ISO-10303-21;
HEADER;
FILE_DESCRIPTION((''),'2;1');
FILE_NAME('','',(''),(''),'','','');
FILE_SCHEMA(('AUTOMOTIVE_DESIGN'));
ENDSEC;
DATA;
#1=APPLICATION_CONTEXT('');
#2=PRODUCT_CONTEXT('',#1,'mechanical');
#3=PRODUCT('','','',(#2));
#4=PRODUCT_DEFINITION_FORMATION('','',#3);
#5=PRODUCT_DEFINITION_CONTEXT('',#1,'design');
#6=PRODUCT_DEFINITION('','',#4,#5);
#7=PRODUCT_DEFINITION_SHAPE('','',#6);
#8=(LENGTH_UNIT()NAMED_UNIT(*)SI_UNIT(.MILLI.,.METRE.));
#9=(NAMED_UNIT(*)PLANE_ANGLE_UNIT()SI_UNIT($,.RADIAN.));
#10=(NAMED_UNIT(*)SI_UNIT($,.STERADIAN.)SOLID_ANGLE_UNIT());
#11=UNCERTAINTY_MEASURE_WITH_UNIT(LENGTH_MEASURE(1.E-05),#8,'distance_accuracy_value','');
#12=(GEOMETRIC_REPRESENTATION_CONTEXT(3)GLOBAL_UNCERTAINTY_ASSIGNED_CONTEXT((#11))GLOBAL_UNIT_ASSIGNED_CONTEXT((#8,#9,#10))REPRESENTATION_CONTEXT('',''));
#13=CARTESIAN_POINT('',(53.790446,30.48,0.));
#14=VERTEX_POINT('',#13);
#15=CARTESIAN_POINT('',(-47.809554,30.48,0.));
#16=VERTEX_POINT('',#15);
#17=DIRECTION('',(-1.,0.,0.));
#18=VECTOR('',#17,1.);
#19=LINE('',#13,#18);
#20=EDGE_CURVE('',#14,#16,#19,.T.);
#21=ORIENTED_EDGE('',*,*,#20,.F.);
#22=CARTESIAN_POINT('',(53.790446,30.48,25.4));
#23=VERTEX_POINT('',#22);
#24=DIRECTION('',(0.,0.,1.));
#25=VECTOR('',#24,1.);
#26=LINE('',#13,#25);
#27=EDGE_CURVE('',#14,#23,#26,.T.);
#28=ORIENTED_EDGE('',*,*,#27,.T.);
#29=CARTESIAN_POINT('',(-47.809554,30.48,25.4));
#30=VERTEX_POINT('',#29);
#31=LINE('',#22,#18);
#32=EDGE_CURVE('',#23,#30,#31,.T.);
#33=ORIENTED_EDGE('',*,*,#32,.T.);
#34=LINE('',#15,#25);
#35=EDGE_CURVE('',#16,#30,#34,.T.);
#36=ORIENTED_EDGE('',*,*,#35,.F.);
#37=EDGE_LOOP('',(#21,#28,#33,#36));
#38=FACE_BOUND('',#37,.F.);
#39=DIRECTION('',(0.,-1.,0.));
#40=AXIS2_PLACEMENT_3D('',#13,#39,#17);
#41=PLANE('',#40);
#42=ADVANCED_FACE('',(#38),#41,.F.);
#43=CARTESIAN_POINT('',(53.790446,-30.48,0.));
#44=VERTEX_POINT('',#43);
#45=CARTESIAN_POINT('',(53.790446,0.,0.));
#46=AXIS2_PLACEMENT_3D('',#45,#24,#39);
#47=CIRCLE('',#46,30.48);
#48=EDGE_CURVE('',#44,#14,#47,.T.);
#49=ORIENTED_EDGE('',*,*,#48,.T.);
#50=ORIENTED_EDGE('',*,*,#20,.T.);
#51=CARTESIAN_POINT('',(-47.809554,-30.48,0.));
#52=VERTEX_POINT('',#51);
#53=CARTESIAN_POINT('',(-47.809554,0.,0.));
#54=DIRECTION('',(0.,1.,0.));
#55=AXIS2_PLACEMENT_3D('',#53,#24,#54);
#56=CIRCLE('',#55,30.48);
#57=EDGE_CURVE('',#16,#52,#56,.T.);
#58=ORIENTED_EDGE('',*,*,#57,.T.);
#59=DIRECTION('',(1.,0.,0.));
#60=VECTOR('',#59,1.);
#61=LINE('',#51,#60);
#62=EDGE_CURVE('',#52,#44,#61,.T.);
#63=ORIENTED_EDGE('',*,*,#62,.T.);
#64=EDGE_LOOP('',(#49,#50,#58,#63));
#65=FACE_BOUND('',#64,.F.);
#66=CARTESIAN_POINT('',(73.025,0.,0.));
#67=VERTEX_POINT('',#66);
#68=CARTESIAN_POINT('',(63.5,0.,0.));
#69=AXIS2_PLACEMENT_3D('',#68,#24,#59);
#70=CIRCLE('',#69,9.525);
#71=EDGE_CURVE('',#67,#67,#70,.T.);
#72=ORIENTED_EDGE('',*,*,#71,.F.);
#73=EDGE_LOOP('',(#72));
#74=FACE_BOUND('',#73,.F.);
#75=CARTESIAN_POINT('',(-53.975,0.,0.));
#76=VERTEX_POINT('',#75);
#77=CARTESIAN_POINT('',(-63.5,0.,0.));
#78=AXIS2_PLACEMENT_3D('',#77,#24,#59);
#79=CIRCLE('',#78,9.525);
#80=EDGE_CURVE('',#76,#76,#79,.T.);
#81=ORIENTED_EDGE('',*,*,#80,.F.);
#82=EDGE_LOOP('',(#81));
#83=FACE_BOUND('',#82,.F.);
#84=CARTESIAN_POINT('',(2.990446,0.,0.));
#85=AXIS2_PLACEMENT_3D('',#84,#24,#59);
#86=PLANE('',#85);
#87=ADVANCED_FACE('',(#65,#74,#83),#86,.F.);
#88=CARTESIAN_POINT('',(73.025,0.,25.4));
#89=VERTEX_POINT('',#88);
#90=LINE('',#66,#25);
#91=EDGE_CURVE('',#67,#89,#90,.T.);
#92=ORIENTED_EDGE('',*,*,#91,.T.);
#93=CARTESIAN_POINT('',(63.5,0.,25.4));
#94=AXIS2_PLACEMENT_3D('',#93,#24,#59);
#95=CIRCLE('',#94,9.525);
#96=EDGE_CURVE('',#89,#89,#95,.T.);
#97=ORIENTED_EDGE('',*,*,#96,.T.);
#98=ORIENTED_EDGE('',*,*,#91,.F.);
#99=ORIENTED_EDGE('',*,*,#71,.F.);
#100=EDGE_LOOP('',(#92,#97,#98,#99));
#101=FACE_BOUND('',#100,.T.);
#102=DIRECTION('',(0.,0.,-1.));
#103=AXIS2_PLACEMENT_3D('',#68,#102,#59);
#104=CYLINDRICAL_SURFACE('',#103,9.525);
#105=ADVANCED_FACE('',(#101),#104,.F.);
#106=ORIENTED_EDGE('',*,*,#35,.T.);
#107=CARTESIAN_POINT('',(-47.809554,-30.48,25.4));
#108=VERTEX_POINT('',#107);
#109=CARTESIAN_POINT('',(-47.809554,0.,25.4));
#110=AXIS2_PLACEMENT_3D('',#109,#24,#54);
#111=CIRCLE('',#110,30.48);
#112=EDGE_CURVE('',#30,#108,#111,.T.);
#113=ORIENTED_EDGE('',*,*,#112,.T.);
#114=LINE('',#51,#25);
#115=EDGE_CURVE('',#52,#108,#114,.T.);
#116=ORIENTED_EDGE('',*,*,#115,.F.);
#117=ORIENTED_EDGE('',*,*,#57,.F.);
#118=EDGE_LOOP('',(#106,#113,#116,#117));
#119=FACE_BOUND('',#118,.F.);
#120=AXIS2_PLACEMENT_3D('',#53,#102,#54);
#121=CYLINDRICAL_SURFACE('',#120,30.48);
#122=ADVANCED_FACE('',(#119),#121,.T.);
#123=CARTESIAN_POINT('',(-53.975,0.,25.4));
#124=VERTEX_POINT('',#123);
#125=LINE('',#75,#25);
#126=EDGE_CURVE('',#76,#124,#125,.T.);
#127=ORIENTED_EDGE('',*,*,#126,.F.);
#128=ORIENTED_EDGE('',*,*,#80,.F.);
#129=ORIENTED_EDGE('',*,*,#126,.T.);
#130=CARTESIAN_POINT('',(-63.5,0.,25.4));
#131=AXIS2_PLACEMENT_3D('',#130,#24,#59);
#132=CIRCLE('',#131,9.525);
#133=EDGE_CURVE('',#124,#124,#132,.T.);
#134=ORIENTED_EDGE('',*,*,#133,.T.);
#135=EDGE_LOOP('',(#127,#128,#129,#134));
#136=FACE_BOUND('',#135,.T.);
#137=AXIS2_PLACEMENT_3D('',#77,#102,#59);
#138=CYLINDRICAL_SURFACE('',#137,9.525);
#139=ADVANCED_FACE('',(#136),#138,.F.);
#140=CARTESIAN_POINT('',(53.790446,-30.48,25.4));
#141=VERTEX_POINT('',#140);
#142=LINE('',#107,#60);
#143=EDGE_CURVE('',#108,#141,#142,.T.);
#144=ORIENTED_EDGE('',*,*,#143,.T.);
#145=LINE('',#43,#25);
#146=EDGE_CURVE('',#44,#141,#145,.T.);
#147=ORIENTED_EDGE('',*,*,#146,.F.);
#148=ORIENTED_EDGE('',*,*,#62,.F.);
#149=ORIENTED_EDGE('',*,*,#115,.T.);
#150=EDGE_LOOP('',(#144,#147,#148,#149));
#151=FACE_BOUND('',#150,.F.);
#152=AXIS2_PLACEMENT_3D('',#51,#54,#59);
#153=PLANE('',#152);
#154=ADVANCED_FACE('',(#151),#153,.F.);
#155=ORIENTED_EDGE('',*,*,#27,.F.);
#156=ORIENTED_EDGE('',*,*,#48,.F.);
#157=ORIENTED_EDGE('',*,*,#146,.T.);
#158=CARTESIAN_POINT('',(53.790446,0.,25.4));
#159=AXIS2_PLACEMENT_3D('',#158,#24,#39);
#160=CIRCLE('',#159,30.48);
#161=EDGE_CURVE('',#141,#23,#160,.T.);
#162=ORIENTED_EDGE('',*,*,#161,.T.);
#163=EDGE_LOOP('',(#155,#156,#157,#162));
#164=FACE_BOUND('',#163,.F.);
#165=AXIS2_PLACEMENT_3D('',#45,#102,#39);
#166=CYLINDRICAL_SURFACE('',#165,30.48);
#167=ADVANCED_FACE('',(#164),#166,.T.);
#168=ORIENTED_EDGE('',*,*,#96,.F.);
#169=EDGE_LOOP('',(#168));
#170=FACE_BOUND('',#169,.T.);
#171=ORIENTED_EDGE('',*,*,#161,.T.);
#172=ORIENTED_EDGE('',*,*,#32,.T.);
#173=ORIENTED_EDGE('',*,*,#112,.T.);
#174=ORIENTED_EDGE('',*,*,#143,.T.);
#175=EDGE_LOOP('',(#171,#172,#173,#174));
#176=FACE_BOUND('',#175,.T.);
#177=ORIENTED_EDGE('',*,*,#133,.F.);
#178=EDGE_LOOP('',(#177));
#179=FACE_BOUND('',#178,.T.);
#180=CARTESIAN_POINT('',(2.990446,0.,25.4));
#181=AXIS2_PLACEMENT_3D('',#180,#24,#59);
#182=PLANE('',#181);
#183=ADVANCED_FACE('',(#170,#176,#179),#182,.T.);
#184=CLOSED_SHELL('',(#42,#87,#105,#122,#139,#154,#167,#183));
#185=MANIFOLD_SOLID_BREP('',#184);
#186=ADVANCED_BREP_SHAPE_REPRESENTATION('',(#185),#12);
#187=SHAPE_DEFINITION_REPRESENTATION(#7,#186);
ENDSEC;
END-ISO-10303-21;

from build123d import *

# Parameters (mm, degrees)
F1_R     = 9.525
F2_DEPTH = 25.4


with BuildPart() as f2:
    # F1 (on face) → F2 (new body)
    with BuildSketch(Plane.XY):
        with BuildLine():
            ThreePointArc((53.790446, -30.48), (84.270446, 0), (53.790446, 30.48))
            Line((53.790446, 30.48), (-47.809554, 30.48))
            ThreePointArc((-47.809554, 30.48), (-78.289554, 0), (-47.809554, -30.48))
            Line((-47.809554, -30.48), (53.790446, -30.48))
        make_face()
        with Locations((-63.5, 0)):
            Circle(F1_R, mode=Mode.SUBTRACT)
        with Locations((63.5, 0)):
            Circle(F1_R, mode=Mode.SUBTRACT)
    extrude(amount=F2_DEPTH)


solid = f2.part
